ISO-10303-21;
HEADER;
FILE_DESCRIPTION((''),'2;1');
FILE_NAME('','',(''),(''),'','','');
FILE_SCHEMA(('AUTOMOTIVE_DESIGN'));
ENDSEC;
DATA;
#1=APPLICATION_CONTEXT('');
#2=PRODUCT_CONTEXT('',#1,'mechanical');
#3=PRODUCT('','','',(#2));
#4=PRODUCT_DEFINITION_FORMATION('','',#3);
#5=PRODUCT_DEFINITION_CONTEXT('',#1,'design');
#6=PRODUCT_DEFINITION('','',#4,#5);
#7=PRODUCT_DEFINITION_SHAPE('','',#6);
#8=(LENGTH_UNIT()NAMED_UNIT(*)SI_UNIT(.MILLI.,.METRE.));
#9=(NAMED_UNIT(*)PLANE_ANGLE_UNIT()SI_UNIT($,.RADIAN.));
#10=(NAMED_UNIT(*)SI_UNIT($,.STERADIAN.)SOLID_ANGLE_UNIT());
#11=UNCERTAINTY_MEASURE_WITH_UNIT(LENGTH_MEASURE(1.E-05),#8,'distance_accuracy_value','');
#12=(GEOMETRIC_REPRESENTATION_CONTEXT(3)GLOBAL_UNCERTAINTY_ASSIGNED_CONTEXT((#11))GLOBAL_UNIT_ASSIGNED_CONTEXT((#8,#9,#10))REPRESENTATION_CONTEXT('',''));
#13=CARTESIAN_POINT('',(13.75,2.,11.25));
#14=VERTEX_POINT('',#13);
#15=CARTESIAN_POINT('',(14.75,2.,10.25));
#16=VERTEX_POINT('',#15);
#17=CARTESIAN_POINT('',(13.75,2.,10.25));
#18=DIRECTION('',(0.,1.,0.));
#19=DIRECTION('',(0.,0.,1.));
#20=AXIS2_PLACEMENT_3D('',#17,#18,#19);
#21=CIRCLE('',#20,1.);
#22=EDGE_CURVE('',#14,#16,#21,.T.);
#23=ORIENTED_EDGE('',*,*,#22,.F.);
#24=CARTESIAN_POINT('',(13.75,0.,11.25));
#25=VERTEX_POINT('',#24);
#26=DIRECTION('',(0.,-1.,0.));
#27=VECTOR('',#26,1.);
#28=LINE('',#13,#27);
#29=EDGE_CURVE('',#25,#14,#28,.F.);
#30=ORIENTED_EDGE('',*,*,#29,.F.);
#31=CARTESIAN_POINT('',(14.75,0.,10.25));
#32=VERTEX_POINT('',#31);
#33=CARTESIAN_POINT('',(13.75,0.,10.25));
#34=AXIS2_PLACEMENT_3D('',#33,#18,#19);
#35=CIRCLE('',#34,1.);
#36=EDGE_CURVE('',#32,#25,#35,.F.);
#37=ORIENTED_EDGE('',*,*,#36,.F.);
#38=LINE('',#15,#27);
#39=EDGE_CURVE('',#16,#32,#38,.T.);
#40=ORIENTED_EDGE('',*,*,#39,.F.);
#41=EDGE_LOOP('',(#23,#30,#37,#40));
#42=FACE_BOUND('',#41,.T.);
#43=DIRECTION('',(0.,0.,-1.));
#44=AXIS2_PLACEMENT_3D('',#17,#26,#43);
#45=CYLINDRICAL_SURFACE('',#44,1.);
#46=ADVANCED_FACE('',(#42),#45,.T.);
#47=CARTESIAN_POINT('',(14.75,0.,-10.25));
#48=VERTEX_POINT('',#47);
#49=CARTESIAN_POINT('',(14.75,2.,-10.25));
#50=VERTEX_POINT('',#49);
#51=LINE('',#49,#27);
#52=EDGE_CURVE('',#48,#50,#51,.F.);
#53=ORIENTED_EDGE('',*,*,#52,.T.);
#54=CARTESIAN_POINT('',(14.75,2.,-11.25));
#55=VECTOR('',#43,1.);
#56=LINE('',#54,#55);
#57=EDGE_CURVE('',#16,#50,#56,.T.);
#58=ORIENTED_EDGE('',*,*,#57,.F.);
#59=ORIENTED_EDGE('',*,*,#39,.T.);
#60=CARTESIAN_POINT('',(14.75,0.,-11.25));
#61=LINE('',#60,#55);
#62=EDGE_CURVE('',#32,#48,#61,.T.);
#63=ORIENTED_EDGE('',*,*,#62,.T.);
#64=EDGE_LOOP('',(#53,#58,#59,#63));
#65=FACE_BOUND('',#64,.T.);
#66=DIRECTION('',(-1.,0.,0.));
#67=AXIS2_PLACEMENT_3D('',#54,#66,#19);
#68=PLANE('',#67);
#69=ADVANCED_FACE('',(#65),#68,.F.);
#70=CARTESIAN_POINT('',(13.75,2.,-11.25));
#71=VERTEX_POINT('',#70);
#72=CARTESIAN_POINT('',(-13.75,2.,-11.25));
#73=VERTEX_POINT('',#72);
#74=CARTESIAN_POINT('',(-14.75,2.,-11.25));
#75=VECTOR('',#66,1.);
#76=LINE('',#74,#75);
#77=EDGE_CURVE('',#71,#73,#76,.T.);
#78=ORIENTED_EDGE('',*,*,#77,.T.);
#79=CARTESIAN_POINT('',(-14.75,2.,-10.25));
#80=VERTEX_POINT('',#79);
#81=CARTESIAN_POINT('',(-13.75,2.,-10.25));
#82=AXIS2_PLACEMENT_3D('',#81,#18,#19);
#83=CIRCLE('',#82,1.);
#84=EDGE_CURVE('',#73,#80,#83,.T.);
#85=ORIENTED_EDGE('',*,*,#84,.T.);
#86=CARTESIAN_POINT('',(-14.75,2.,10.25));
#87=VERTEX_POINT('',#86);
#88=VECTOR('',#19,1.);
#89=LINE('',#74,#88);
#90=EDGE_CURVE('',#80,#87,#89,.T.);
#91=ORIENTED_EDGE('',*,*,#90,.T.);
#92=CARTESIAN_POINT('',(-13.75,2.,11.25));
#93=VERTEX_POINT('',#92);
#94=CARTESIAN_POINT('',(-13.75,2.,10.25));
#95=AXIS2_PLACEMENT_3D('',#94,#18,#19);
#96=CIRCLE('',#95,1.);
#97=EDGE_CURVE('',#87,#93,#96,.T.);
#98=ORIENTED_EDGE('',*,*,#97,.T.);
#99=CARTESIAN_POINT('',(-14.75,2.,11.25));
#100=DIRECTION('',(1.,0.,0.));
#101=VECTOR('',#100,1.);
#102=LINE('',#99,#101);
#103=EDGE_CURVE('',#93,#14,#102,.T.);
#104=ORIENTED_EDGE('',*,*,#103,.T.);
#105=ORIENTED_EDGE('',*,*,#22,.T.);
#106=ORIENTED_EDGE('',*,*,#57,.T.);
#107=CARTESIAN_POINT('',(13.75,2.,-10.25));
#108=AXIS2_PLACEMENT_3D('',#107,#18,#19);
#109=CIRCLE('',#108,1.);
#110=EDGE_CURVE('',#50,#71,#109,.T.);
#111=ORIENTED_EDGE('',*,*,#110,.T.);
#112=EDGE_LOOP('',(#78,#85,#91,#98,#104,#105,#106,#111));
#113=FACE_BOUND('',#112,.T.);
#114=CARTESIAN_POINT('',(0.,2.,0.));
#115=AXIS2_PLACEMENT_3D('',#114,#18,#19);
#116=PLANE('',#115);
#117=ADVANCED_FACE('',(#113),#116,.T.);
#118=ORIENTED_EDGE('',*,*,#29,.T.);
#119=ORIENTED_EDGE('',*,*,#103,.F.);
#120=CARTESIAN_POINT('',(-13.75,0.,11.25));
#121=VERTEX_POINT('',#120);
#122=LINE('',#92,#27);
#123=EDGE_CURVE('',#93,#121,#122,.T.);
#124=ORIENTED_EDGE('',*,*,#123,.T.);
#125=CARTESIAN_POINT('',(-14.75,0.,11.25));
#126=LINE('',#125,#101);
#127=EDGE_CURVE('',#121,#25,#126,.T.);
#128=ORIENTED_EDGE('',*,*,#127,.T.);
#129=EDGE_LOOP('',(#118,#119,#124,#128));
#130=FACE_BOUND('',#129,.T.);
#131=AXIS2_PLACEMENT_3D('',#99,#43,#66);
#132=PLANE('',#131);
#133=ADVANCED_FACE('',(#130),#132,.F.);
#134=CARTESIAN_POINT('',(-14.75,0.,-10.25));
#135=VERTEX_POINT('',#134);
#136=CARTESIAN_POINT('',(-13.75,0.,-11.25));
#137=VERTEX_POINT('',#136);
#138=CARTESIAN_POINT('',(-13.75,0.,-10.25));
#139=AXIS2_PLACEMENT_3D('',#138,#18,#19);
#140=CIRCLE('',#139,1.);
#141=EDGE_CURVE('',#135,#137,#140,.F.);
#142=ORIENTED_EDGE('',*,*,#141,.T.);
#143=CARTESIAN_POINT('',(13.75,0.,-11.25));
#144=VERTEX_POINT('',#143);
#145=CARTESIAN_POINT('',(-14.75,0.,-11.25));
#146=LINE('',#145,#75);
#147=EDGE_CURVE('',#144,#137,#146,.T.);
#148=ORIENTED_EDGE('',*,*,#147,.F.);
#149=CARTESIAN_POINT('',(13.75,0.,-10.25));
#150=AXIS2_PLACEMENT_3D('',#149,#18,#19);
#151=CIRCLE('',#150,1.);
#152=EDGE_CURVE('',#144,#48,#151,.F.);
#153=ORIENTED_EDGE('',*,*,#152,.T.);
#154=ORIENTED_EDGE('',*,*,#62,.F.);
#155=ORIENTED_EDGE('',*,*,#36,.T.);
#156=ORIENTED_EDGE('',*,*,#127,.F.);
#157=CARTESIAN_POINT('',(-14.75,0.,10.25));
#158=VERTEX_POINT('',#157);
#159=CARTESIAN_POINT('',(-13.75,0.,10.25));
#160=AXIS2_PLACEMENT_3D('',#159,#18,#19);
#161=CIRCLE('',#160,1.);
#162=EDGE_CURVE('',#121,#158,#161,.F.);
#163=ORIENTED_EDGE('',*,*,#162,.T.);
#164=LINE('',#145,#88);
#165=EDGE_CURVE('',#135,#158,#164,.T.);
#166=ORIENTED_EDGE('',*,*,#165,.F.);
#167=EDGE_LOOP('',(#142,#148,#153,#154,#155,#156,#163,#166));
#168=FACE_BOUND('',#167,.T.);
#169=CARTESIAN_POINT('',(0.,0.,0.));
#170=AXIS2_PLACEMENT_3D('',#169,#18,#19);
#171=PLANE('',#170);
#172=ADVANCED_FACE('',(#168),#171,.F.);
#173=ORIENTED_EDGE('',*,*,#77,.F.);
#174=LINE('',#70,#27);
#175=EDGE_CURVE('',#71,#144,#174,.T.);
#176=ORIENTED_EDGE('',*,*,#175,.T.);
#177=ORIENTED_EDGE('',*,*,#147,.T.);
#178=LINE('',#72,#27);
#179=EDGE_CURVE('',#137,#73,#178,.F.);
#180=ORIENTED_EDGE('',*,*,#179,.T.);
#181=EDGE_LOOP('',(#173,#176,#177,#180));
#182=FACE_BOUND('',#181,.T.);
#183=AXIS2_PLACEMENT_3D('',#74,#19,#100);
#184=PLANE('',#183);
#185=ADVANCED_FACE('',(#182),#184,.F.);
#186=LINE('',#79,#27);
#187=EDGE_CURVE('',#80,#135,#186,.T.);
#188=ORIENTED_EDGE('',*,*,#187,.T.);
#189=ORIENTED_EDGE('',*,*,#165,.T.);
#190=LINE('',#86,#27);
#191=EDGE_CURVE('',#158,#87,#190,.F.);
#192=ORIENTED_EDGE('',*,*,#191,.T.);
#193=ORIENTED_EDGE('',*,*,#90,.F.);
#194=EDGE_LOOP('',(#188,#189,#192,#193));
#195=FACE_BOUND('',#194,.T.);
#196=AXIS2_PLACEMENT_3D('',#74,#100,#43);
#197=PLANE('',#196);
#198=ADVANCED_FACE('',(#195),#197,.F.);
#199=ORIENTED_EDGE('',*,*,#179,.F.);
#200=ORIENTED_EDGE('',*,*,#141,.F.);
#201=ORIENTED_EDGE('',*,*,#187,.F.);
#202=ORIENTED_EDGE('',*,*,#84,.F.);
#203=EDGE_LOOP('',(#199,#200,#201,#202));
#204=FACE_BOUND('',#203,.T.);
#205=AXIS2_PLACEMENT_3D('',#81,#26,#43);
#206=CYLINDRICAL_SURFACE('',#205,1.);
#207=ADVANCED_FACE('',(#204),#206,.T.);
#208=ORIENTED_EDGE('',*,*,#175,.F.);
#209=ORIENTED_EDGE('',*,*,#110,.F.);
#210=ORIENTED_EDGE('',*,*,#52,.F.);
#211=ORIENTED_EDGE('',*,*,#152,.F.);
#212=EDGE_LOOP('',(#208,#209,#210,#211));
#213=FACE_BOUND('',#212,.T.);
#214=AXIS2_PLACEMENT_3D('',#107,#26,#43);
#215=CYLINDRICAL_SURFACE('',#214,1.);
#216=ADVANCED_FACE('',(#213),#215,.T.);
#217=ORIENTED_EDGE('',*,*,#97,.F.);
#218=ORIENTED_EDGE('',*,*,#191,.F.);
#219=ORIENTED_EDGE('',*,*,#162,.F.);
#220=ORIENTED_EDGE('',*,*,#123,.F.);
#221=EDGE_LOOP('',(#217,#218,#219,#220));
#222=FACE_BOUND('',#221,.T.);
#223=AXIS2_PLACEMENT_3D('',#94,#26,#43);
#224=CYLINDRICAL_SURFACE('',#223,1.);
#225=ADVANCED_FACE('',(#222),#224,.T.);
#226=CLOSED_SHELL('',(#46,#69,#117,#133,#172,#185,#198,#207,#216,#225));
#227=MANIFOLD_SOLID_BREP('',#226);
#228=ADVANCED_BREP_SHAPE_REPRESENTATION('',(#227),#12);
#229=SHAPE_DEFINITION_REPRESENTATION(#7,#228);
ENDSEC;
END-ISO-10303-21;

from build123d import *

# Parameters (mm, degrees)
SKETCH_2_W  = 29.5
SKETCH_2_H  = 22.5
LAYER_DEPTH = 2
FILLET_1_R  = 1


with BuildPart() as part:
    # 草图2 → layer (new body)
    with BuildSketch(Plane(origin=(0, 0, 0), x_dir=(1, 0, 0), z_dir=(0, 1, 0))):
        Rectangle(SKETCH_2_W, SKETCH_2_H)
    extrude(amount=LAYER_DEPTH)

    # 圆角1
    fillet_1_edges = [part.edges().sort_by_distance(p)[0] for p in [
        (14.75, 1, 11.25),
        (-14.75, 1, 11.25),
        (-14.75, 1, -11.25),
        (14.75, 1, -11.25),
    ]]
    fillet(fillet_1_edges, radius=FILLET_1_R)


solid = part.part
